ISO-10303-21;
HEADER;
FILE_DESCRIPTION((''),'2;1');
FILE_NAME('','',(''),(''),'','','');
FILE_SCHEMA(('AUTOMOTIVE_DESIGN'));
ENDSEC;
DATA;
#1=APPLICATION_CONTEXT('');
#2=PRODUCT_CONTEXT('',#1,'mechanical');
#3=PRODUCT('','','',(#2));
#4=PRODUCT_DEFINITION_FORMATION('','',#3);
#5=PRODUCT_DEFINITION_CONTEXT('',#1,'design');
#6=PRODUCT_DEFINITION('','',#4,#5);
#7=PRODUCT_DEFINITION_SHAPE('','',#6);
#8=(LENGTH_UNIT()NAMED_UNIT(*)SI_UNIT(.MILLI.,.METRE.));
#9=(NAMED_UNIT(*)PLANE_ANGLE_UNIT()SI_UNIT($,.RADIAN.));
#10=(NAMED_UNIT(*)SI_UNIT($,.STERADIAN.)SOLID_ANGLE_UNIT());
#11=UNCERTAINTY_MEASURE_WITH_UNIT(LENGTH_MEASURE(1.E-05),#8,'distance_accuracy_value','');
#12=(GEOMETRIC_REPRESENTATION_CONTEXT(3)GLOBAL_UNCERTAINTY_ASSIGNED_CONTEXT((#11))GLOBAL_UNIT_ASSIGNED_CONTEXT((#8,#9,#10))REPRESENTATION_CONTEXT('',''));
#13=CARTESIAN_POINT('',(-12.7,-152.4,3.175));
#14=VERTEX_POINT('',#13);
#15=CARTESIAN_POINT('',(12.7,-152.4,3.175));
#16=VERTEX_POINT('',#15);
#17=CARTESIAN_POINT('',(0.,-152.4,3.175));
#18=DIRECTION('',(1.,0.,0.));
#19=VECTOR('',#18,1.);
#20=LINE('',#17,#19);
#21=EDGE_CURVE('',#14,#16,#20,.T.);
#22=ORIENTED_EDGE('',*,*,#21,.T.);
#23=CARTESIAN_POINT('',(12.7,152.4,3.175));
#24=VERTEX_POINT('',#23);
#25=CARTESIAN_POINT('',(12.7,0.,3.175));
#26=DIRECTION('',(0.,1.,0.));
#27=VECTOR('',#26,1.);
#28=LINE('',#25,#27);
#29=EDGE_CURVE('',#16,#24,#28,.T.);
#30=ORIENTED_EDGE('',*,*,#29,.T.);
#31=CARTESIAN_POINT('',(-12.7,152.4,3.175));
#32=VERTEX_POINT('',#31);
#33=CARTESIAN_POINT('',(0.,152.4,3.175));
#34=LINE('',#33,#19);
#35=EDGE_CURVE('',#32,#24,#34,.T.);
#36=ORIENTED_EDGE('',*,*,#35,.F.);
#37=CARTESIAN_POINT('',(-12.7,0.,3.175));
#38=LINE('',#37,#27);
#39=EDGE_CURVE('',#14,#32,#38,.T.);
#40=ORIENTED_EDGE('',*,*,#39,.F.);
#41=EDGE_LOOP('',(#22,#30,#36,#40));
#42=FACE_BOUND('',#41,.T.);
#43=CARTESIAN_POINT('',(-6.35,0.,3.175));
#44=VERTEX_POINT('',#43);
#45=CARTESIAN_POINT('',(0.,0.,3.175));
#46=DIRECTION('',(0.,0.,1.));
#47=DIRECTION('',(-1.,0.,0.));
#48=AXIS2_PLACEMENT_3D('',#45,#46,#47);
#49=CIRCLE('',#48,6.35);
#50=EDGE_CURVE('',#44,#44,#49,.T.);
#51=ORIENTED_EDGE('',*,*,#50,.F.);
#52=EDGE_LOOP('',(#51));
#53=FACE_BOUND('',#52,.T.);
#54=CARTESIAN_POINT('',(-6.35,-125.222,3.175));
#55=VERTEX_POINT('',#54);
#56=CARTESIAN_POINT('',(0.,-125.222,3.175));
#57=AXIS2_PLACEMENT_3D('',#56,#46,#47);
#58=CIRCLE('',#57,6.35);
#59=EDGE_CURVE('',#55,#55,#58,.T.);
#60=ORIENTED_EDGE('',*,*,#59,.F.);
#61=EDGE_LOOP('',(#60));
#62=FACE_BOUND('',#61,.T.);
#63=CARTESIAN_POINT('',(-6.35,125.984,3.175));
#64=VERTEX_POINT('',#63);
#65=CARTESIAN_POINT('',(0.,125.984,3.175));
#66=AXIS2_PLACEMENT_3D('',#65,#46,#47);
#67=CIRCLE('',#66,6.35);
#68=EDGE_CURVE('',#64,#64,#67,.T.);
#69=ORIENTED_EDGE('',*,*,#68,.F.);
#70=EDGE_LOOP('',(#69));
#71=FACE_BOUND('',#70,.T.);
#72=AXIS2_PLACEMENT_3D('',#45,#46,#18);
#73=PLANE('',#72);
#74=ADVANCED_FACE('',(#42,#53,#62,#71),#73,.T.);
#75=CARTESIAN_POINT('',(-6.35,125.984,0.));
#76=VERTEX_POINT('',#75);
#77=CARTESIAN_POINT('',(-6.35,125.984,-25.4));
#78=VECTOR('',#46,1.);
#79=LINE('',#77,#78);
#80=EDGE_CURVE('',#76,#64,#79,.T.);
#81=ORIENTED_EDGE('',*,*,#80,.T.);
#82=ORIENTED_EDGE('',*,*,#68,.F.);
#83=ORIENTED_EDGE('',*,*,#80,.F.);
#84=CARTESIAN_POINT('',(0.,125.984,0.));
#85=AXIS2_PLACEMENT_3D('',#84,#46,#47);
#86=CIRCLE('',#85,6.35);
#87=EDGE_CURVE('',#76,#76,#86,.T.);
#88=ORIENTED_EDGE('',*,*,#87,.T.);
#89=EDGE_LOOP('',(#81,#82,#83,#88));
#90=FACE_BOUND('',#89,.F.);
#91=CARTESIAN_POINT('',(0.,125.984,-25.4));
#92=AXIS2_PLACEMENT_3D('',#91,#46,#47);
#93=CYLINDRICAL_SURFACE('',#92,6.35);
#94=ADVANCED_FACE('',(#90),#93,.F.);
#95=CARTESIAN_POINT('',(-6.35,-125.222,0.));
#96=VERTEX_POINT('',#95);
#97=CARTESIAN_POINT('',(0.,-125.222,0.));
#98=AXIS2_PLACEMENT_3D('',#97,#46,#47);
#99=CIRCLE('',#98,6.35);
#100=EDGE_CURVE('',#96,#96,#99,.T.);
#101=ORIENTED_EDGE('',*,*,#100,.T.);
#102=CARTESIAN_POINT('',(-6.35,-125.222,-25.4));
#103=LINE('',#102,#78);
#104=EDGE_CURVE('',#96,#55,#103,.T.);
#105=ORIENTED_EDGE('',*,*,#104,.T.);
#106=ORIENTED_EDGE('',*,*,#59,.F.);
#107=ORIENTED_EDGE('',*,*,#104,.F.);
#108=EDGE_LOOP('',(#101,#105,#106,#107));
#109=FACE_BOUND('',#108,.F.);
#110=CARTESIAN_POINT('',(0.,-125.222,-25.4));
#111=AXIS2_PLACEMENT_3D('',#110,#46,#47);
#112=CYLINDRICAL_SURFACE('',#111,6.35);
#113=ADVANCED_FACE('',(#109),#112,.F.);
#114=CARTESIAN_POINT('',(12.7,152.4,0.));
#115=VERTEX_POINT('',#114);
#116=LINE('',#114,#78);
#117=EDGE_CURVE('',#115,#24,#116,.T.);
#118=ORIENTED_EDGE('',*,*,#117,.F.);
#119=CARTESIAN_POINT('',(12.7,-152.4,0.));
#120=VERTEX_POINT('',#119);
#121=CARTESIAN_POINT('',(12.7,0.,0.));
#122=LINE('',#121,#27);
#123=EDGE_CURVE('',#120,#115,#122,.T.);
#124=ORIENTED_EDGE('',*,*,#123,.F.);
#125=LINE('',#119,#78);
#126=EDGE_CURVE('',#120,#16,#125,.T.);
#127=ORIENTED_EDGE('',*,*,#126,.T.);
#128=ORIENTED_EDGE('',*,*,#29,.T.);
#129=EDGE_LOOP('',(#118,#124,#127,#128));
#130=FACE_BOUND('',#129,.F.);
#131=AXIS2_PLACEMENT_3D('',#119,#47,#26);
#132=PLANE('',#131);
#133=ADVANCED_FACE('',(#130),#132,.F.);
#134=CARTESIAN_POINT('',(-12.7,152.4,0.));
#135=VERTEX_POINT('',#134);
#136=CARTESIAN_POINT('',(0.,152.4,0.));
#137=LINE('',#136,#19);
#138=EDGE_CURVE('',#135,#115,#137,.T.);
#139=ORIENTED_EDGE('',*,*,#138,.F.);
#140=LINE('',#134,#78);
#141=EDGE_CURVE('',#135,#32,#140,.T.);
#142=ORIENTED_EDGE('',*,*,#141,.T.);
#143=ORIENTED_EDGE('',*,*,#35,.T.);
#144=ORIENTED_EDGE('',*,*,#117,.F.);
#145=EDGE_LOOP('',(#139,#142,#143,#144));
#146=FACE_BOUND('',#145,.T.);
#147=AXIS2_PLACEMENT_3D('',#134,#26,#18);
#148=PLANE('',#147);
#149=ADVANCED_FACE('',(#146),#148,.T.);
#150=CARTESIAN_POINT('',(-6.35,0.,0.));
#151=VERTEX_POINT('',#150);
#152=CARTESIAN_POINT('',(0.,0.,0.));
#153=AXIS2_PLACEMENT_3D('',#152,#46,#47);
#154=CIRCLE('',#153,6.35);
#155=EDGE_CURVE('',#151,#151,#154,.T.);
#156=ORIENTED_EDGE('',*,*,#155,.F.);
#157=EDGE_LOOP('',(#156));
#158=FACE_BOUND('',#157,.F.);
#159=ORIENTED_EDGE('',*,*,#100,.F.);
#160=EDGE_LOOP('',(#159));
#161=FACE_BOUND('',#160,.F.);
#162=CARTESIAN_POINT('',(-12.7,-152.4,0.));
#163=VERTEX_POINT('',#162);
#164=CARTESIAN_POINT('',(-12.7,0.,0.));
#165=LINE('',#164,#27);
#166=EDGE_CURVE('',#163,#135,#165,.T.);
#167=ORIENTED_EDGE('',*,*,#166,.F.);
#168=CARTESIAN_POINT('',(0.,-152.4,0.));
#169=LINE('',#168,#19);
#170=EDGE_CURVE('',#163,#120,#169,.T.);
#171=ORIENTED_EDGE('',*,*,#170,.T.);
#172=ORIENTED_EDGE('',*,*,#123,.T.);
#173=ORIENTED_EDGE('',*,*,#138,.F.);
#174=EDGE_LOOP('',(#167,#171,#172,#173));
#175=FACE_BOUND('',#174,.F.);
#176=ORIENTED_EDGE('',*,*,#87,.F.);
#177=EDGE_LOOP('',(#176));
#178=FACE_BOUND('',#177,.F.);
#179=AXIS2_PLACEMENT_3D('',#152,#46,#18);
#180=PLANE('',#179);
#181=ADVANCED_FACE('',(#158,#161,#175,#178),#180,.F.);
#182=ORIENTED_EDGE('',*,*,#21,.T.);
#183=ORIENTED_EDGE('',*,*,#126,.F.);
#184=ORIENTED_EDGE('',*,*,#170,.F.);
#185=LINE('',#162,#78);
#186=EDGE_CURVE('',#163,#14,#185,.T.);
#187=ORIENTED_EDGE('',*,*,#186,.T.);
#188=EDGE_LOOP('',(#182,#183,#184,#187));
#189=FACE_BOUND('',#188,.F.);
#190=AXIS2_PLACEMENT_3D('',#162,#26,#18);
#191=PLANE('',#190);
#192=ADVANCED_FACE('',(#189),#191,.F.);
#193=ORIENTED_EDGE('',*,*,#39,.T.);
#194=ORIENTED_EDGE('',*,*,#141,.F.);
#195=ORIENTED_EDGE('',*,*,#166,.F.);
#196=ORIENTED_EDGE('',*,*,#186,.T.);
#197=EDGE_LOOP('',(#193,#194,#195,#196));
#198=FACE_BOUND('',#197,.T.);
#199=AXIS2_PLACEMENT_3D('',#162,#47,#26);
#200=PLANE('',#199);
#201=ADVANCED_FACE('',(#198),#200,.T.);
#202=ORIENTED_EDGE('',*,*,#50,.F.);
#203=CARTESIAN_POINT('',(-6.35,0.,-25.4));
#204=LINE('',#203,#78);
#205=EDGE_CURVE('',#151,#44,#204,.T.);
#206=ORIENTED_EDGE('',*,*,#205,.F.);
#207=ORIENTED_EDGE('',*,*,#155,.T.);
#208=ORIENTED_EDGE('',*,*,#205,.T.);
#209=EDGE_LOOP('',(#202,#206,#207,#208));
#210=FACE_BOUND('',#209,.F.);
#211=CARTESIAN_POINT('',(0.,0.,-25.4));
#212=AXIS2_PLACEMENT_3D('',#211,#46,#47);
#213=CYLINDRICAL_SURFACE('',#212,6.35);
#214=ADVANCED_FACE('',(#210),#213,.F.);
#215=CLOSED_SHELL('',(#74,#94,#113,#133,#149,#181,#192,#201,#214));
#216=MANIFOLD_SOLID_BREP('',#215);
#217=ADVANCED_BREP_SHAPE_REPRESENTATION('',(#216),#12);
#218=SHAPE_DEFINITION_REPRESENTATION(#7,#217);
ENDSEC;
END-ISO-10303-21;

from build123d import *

# Parameters (mm, degrees)
F0_W     = 25.4
F0_H     = 304.8
F1_DEPTH = 3.175
F3_D     = 12.7
F3_DEPTH = 25.4
F3_TIP   = 3.8154649308


with BuildPart() as f1:
    # F0 (on Top) → F1 (new body)
    with BuildSketch(Plane.XY):
        Rectangle(F0_W, F0_H)
    extrude(amount=F1_DEPTH)

    # F3
    with Locations(Plane(origin=(0, 0, 0), x_dir=(1, 0, 0), z_dir=(0, 0, -1))):
        with Locations((0, 0), (0, 125.222), (0, -125.984)):
            Hole(F3_D / 2, depth=F3_DEPTH)
            with Locations((0, 0, -(F3_DEPTH + F3_TIP / 2))):  # 118° drill point
                Cone(0, F3_D / 2, F3_TIP, mode=Mode.SUBTRACT)


solid = f1.part
